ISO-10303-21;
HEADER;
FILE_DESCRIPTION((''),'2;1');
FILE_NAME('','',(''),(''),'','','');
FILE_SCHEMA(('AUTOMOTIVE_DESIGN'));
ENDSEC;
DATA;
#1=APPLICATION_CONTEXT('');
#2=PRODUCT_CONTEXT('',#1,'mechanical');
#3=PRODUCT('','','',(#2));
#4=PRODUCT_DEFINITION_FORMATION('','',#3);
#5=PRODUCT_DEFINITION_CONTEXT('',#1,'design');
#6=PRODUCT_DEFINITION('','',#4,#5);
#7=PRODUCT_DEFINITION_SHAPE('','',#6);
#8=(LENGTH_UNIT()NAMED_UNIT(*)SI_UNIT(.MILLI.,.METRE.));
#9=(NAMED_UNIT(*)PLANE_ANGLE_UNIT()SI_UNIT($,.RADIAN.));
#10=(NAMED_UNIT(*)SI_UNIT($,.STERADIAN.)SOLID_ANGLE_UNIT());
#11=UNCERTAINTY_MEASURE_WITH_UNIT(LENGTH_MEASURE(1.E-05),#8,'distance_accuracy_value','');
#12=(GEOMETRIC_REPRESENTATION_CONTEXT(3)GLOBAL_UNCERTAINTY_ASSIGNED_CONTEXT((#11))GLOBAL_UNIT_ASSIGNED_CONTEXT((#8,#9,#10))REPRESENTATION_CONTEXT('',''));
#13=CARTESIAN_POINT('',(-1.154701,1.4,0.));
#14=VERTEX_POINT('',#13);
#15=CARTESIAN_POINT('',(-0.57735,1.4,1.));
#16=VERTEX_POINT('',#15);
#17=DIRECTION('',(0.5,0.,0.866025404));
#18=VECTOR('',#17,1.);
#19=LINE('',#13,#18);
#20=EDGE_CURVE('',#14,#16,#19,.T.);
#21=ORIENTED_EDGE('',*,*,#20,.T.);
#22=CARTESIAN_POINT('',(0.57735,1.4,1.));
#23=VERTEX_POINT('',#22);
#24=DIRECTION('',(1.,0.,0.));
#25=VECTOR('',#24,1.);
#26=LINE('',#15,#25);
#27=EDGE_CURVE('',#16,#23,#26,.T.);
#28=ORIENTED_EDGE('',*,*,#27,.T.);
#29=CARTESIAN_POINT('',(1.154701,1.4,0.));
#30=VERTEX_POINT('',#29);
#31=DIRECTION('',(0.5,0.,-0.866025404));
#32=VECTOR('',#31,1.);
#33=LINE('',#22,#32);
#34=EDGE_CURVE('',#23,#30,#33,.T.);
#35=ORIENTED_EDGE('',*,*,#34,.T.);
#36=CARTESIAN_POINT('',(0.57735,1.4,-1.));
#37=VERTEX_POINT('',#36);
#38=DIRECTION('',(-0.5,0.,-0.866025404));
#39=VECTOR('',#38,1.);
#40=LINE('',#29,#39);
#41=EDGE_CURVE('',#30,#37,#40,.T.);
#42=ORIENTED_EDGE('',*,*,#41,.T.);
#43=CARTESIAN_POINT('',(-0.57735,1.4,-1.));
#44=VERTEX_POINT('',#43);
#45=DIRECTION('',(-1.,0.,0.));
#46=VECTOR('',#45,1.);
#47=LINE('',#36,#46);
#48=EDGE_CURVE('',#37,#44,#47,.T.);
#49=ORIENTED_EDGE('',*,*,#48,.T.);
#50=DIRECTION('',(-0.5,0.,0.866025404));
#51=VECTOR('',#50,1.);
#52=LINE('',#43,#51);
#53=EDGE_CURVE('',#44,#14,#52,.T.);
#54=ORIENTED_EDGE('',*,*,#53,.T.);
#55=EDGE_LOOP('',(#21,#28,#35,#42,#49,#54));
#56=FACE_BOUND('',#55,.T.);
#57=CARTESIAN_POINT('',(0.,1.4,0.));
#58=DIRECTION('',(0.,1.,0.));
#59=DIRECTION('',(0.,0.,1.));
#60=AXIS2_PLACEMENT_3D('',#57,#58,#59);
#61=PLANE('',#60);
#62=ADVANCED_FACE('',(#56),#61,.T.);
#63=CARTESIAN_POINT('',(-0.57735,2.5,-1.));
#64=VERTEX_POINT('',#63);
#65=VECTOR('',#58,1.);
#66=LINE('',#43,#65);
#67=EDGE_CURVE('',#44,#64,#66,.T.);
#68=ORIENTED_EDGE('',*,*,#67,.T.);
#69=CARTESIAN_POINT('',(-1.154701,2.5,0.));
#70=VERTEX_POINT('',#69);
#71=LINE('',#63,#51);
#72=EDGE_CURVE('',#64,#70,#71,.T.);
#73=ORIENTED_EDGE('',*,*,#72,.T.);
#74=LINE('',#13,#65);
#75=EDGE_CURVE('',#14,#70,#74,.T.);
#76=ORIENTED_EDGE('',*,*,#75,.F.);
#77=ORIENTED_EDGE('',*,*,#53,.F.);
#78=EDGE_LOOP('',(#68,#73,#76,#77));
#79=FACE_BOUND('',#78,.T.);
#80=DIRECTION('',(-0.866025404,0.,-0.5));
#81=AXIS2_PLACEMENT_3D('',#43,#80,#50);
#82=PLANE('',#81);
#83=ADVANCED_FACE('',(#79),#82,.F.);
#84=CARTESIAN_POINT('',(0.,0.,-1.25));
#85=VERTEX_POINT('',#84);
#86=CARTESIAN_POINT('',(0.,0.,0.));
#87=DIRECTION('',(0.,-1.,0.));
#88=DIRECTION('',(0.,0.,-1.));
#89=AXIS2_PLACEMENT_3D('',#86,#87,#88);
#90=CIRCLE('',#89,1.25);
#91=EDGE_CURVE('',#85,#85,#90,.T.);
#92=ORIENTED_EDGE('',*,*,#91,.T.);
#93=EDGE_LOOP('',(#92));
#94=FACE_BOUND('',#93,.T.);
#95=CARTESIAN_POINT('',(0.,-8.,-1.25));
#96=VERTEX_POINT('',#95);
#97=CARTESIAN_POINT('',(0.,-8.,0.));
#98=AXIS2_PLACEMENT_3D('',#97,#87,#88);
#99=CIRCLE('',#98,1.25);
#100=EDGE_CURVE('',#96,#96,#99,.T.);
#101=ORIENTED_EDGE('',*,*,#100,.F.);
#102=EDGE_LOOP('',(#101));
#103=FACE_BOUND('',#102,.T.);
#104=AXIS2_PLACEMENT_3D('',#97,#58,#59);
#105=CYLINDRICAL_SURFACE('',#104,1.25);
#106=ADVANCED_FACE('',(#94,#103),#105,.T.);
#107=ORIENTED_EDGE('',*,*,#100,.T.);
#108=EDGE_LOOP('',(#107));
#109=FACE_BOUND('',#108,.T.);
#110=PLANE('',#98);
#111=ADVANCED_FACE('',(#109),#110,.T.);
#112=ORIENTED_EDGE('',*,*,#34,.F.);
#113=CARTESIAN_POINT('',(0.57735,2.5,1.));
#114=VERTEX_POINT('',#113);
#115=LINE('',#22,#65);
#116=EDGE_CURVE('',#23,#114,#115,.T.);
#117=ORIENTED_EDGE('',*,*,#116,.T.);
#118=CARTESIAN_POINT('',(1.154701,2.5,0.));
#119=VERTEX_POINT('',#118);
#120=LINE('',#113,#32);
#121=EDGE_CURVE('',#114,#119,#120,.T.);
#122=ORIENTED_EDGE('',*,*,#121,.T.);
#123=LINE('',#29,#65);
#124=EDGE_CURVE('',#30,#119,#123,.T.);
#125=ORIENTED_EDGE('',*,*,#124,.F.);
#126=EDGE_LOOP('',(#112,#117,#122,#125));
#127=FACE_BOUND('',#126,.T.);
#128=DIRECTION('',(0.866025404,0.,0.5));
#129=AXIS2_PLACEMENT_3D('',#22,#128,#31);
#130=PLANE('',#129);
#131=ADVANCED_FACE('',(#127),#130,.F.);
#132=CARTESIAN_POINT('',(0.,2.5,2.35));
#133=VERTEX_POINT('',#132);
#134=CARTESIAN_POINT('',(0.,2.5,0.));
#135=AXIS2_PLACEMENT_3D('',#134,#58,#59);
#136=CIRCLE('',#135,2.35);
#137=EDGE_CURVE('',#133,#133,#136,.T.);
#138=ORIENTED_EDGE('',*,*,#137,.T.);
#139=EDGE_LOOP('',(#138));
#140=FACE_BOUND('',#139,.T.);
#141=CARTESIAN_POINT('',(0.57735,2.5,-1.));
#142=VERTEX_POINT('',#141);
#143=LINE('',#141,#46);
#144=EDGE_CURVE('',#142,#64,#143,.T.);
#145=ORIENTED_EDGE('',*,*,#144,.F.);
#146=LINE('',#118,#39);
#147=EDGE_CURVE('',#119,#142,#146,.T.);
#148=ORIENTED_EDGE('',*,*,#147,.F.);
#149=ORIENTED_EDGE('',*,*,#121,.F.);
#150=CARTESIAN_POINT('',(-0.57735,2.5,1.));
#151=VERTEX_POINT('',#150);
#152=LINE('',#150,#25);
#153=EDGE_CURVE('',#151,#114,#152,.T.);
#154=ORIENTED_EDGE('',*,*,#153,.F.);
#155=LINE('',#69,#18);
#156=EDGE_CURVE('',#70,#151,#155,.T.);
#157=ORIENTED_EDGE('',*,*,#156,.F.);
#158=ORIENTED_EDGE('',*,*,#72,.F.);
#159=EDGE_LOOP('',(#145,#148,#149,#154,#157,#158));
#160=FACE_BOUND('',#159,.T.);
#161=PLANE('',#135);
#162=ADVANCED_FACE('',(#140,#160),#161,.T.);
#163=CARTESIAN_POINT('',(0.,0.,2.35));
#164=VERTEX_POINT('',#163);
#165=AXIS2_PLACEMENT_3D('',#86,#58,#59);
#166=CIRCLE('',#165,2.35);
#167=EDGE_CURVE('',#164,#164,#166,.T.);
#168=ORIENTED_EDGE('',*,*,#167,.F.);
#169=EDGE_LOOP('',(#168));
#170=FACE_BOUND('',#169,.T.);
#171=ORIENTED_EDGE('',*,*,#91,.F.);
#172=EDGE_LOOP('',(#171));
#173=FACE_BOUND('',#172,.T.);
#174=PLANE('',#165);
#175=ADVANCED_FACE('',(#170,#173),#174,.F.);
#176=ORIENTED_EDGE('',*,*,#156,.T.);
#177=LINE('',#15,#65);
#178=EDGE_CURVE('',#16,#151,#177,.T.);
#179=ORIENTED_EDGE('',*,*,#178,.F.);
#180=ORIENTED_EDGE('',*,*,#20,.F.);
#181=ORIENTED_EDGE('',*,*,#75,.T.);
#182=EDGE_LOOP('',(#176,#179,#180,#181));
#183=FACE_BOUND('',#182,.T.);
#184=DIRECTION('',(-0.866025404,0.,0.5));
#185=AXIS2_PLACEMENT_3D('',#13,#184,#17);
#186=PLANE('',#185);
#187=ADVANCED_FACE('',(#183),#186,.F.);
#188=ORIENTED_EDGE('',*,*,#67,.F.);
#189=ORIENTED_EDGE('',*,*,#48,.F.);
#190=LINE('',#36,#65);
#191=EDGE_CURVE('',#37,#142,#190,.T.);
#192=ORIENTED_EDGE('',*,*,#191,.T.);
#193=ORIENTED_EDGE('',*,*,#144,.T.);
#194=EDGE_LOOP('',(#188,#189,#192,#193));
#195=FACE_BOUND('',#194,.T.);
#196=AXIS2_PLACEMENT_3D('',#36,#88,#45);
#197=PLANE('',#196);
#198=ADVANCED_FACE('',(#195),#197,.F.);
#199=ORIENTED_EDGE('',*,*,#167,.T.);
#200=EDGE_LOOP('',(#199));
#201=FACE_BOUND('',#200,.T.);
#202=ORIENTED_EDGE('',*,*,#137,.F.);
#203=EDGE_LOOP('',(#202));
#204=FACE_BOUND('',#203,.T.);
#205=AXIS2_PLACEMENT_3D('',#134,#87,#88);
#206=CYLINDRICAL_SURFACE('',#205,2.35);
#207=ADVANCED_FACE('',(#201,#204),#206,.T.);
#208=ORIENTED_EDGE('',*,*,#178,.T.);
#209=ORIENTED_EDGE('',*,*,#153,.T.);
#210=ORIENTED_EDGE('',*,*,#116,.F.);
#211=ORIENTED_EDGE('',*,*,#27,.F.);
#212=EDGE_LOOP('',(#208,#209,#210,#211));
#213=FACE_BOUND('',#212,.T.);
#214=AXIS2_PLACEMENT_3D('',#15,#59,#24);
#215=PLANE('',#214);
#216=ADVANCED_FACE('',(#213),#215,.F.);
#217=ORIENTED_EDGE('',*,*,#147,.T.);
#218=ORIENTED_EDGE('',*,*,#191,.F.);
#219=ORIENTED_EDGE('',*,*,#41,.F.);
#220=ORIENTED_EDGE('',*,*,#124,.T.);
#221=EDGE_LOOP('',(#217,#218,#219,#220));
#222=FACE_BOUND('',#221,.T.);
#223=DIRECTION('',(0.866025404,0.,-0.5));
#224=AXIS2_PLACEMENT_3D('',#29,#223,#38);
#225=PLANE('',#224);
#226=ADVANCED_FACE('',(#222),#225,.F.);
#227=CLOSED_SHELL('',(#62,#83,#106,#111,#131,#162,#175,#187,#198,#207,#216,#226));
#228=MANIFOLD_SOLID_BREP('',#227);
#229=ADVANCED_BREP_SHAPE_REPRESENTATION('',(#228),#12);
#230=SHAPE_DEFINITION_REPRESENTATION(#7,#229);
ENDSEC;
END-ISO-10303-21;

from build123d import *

# Parameters (mm, degrees)
SKETCH_1_R            = 2.35
EXTRUDE_248_DEPTH     = 2.5
CUT_EXTRUDE_382_DEPTH = 1.1
SKETCH_3_R            = 1.25
EXTRUDE_487_DEPTH     = 8


with BuildPart() as part:
    # 草图1 → Extrude 248 (new body)
    with BuildSketch(Plane(origin=(0, 0, 0), x_dir=(1, 0, 0), z_dir=(0, 1, 0))):
        Circle(SKETCH_1_R)
    extrude(amount=EXTRUDE_248_DEPTH)

    # 草图2 → Cut-Extrude 382 (cut)
    with BuildSketch(Plane(origin=(0, 2.5, 0), x_dir=(1, 0, 0), z_dir=(0, 1, 0))):
        Polygon((1.154700538, 0), (0.577350269, 1), (-0.577350269, 1), (-1.154700538, 0), (-0.577350269, -1), (0.577350269, -1), align=None)
    extrude(amount=-CUT_EXTRUDE_382_DEPTH, mode=Mode.SUBTRACT)

    # 草图3 → Extrude 487 (add)
    with BuildSketch(Plane.XZ):
        Circle(SKETCH_3_R)
    extrude(amount=EXTRUDE_487_DEPTH)


solid = part.part
